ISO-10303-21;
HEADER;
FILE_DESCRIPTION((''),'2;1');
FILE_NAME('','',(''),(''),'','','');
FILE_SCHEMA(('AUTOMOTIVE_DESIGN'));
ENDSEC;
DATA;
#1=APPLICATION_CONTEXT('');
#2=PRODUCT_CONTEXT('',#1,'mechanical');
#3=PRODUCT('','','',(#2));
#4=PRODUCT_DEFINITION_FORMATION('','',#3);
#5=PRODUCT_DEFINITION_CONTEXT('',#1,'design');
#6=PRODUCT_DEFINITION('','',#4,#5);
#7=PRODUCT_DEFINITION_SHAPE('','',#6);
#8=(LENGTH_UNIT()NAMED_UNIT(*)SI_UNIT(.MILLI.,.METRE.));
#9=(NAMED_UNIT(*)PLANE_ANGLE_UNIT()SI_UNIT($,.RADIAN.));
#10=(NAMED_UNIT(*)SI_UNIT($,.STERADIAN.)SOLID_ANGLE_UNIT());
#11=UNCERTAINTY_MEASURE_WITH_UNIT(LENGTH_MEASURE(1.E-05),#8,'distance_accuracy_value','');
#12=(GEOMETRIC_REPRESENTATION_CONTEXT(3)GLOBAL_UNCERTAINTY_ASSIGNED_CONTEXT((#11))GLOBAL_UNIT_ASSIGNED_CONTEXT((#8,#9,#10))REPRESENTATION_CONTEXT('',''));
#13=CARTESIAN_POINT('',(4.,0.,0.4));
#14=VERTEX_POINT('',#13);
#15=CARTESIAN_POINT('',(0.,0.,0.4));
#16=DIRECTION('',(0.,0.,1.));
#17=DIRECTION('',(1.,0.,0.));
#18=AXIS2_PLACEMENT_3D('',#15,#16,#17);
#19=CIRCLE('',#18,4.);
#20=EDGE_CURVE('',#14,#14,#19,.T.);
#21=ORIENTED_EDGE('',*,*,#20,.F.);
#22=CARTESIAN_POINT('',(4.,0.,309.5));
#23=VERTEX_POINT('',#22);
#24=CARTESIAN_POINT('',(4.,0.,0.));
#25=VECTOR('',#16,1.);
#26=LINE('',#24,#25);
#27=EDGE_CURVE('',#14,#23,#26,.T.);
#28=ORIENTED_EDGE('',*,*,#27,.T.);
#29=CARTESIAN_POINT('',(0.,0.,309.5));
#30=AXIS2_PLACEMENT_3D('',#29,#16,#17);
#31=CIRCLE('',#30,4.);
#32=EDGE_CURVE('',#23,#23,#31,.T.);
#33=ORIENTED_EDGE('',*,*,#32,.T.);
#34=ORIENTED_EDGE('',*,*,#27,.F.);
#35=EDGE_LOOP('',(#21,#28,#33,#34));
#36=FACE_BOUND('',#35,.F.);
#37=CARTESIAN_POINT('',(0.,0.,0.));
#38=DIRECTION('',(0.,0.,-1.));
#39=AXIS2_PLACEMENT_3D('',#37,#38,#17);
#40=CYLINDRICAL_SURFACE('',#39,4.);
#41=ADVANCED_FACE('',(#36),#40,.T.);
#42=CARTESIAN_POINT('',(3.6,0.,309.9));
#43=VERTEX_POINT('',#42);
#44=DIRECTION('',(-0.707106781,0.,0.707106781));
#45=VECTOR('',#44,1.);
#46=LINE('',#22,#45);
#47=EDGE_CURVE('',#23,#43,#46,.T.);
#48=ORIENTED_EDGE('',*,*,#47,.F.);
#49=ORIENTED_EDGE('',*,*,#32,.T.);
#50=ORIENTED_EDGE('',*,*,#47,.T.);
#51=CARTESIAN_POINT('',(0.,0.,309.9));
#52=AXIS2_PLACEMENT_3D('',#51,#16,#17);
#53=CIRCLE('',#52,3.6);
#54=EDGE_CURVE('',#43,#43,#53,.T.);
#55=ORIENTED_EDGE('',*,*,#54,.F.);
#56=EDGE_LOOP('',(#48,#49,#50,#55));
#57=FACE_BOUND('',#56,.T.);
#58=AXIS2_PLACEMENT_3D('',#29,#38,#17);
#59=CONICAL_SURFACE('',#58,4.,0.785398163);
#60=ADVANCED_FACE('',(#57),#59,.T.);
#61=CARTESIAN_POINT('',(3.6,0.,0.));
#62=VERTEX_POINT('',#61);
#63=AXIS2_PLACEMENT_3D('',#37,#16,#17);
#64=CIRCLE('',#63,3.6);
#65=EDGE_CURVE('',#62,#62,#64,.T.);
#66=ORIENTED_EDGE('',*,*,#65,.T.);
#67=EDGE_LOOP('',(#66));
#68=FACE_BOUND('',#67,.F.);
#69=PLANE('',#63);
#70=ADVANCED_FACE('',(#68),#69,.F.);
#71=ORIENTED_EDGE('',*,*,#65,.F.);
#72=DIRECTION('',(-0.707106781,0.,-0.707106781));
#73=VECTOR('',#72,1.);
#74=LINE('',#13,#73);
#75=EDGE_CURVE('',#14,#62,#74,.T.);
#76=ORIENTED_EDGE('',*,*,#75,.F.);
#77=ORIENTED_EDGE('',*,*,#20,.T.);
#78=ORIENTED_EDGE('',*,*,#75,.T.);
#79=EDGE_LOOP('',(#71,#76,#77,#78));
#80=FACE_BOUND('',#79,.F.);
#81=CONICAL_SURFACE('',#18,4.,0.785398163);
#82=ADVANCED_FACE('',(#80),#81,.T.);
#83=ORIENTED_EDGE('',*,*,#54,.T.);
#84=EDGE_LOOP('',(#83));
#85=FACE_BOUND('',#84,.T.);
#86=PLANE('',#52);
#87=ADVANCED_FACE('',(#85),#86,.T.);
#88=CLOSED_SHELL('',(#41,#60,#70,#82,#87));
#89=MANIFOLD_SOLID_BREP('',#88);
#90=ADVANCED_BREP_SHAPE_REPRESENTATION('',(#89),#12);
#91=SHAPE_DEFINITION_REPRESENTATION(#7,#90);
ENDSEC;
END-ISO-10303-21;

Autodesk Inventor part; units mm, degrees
ref_plane "YZ Plane" through (0, 0, 0) normal (1, 0, 0) x (0, 1, 0)
ref_plane "XZ Plane" through (0, 0, 0) normal (0, 1, 0) x (-1, 0, 0)
ref_plane "XY Plane" through (0, 0, 0) normal (0, 0, 1) x (1, 0, 0)
sketch "Sketch1" plane through (0, 0, 0) normal (0, 0, 1) x (1, 0, 0)
  circle A0 centre (0, 0) radius 4
  dimension "d0" = 8
extrude "Extrusion1" add sketch "Sketch1" along normal blind 309.9
chamfer "Chamfer1" distance 0.4 angle 45 2 edges at (-4, 0, 309.9) (-4, 0, 0)
properties part number "TABLE ROD"
